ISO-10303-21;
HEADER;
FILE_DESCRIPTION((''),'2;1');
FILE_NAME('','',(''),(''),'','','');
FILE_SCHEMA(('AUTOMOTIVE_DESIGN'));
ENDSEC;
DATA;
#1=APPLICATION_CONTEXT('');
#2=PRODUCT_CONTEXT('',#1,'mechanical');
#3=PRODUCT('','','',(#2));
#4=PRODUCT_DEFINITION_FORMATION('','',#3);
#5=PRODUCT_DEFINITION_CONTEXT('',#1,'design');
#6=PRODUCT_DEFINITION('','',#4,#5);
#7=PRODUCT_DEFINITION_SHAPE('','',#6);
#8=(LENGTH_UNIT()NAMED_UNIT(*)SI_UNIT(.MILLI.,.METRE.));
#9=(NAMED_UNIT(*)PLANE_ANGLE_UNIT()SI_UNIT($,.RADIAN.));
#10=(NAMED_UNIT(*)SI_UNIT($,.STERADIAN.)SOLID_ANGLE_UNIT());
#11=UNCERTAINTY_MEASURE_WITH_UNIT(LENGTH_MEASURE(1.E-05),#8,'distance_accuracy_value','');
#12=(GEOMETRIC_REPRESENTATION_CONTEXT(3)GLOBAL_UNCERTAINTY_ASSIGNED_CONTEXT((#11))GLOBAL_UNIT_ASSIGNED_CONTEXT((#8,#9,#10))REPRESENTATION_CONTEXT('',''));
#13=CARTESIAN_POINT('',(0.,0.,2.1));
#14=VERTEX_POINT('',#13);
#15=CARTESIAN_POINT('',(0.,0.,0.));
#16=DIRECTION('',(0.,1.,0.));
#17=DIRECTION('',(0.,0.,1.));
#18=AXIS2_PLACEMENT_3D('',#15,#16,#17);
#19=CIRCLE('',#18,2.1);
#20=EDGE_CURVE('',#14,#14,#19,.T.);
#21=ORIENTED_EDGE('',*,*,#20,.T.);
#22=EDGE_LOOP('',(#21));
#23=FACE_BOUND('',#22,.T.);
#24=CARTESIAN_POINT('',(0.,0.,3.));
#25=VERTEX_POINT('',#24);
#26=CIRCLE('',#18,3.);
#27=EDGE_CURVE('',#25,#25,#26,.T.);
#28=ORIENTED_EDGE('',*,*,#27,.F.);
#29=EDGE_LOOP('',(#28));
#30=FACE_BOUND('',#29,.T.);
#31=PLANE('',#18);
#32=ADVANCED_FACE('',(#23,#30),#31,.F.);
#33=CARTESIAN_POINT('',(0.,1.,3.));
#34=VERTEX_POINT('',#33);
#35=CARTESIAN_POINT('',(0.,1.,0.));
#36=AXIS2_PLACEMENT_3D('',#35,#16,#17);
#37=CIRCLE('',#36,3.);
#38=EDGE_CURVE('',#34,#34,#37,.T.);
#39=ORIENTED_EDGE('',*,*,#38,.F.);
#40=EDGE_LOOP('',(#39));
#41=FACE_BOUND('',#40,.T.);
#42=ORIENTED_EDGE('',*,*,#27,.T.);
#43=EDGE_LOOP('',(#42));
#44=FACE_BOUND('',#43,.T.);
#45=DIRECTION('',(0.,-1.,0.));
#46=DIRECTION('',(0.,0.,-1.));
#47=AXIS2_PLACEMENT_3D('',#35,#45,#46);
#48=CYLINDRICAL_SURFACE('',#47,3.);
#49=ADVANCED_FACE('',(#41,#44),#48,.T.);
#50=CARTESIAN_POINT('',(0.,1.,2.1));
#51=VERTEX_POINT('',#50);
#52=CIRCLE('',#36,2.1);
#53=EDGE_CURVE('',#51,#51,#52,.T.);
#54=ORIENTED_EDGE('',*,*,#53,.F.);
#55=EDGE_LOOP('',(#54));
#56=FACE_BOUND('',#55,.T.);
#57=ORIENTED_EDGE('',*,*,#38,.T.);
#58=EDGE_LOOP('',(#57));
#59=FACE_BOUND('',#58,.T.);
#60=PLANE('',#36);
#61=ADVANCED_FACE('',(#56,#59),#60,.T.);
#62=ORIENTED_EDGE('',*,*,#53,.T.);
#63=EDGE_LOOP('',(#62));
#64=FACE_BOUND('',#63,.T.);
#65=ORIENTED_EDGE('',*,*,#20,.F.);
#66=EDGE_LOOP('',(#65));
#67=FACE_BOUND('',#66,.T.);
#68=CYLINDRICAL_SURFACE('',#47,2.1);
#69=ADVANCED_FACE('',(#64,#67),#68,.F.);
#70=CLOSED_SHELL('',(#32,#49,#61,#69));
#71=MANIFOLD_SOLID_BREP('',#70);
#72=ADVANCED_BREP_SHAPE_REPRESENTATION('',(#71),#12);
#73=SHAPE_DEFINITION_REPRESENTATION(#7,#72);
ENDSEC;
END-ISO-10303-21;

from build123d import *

# Parameters (mm, degrees)
SKETCH_1_R      = 3
SKETCH_1_R_2    = 2.1
EXTRUDE_1_DEPTH = 1


with BuildPart() as part:
    # ｽｹｯﾁ1 → ﾎﾞｽ - 押し出し1 (new body)
    with BuildSketch(Plane(origin=(0, 0, 0), x_dir=(1, 0, 0), z_dir=(0, 1, 0))):
        with Locations(Location((0, 0, 0), (0, 0, 270))):
            Circle(SKETCH_1_R)
        with Locations(Location((0, 0, 0), (0, 0, 270))):
            Circle(SKETCH_1_R_2, mode=Mode.SUBTRACT)
    extrude(amount=EXTRUDE_1_DEPTH)


solid = part.part
